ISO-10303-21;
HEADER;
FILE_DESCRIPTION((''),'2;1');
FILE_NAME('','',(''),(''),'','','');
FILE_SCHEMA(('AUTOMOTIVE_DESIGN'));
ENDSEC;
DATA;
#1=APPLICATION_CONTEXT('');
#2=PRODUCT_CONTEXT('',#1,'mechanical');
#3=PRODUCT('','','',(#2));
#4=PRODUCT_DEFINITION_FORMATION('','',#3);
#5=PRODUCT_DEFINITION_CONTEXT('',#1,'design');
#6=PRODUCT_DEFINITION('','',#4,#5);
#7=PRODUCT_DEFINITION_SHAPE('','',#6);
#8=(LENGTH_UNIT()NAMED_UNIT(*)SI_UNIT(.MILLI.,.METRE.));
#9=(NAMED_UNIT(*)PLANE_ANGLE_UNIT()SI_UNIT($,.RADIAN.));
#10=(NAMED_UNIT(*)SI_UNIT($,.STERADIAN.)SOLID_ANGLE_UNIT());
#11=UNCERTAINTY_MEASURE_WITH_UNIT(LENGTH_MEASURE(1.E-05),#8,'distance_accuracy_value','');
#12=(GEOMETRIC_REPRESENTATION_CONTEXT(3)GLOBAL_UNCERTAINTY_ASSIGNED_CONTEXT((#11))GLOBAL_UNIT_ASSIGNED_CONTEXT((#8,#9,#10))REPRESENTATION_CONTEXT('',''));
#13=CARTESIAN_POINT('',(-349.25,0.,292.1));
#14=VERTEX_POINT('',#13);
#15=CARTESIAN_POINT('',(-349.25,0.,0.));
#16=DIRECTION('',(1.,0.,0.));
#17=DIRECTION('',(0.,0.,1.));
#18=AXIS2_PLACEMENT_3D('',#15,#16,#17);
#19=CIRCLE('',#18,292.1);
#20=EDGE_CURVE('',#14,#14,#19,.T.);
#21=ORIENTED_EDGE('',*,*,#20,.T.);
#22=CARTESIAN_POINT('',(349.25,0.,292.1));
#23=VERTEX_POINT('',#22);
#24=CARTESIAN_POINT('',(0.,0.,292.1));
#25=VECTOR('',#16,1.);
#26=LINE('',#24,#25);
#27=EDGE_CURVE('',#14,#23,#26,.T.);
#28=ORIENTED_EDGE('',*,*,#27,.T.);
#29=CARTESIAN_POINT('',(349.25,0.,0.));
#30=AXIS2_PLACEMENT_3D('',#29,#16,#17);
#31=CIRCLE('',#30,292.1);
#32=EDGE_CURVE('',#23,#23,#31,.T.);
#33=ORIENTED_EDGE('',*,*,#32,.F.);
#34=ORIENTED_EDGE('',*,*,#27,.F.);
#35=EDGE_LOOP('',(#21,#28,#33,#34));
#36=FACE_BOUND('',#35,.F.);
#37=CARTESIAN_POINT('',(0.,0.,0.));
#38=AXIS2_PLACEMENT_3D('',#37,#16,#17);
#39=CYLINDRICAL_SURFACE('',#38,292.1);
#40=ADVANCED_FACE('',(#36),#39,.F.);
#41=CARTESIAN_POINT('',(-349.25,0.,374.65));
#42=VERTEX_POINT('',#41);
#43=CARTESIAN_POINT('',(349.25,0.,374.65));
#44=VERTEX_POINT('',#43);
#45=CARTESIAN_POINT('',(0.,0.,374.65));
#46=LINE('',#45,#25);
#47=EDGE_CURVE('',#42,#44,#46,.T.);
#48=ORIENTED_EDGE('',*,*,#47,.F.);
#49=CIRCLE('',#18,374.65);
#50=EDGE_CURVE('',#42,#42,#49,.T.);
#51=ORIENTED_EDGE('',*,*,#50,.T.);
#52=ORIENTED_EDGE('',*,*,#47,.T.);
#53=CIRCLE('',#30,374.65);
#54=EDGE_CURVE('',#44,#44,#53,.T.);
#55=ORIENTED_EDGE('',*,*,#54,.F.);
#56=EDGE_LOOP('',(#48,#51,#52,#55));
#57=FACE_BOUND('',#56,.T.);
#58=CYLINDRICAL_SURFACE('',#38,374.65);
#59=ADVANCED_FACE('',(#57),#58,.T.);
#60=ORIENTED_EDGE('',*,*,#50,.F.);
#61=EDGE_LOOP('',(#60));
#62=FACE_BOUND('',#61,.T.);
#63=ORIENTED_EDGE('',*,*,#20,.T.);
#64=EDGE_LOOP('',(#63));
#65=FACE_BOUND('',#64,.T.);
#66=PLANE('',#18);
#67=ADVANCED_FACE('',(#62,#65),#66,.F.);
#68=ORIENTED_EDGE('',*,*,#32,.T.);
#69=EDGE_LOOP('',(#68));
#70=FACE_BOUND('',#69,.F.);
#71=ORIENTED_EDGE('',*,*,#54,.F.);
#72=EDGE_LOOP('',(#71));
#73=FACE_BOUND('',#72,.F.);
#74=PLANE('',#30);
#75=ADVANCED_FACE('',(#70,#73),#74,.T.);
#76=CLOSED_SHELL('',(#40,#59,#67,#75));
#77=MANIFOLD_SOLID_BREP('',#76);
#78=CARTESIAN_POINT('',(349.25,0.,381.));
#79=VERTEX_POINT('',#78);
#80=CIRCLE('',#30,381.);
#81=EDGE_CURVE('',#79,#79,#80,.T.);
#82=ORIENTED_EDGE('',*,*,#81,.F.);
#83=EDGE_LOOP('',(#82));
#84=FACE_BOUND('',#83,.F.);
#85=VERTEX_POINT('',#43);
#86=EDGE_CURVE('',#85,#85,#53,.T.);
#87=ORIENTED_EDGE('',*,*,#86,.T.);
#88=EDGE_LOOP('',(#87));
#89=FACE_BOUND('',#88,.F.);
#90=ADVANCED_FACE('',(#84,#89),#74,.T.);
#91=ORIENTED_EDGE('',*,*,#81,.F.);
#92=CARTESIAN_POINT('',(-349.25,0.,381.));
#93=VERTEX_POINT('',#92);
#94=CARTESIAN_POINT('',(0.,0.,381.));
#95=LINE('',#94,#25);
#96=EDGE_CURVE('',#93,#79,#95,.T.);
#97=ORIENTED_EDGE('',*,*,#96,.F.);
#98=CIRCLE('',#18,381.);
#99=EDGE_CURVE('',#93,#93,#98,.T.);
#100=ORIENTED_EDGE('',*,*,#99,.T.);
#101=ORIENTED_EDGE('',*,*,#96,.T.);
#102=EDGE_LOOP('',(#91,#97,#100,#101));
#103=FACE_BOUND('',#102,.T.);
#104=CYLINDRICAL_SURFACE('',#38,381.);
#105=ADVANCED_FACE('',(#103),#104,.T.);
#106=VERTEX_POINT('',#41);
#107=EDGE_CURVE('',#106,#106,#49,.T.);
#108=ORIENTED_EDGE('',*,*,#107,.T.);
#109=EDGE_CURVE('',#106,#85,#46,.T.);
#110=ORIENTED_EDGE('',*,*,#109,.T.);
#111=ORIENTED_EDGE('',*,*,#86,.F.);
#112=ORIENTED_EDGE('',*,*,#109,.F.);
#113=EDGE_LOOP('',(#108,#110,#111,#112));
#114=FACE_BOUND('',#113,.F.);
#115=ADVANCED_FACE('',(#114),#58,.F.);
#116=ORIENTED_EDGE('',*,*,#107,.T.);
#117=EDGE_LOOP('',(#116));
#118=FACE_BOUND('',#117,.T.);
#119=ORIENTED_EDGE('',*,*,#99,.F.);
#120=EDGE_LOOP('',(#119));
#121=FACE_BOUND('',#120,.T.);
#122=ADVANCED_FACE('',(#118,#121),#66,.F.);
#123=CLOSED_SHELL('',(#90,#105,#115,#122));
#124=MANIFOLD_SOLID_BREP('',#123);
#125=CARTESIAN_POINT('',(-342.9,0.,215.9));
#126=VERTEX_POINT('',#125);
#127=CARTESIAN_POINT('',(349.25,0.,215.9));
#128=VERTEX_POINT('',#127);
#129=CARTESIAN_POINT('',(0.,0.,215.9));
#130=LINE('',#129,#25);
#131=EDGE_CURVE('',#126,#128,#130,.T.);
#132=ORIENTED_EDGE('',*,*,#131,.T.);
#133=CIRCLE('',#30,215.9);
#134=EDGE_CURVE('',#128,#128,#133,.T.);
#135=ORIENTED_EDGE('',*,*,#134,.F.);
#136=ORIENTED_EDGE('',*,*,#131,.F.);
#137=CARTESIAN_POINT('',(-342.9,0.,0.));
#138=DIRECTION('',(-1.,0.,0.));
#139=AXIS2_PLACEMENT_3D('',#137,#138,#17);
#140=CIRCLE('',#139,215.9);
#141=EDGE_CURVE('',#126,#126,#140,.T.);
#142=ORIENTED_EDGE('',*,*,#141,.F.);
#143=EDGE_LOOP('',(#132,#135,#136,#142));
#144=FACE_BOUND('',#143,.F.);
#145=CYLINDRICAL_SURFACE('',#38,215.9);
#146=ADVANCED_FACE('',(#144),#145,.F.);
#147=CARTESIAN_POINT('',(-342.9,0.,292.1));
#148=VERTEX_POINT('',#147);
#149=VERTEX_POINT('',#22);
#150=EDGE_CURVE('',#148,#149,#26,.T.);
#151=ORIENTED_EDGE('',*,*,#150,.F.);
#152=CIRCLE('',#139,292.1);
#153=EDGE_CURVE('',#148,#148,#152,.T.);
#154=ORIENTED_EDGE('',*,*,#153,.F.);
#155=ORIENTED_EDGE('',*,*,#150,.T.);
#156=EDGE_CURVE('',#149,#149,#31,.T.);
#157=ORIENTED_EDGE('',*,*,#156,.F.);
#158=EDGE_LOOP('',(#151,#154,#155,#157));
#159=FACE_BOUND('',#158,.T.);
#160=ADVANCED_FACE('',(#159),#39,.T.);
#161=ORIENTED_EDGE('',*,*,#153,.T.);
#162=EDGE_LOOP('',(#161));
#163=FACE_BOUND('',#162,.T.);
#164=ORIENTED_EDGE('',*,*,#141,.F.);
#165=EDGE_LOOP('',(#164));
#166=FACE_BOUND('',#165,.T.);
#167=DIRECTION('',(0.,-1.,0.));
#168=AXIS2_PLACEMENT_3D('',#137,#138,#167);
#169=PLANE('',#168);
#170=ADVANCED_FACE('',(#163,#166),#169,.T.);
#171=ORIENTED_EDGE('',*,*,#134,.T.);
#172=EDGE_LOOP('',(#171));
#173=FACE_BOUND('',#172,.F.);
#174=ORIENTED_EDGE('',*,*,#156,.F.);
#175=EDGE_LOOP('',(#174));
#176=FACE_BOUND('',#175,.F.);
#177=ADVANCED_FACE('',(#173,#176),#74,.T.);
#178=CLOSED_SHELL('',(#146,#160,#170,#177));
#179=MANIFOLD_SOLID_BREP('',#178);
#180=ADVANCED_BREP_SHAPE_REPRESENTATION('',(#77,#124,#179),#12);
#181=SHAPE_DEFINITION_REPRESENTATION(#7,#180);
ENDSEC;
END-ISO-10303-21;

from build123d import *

# Parameters (mm, degrees)
F0_W        = 698.5
F0_H        = 76.2
F0_H_2      = 82.55
F0_H_3      = 6.35
F1_FACE_R   = 292.1
F1_FACE_R_2 = 215.9
F4_DEPTH    = 6.35


with BuildPart() as f1:
    # F0 (on Front) → F1 (revolve)
    with BuildSketch(Plane.XZ):
        with Locations((0, 254)):
            Rectangle(F0_W, F0_H)
    revolve(axis=Axis((0, 0, 0), (1, 0, 0)))

    # F1_face (on face) → F4 (cut)
    with BuildSketch(Plane(origin=(-349.25, 0, 0), x_dir=(0, -1, 0), z_dir=(-1, 0, 0))):
        Circle(F1_FACE_R)
        Circle(F1_FACE_R_2, mode=Mode.SUBTRACT)
    extrude(amount=-F4_DEPTH, mode=Mode.SUBTRACT)


with BuildPart() as f2:
    # F0 (on Front) → F2 (revolve)
    with BuildSketch(Plane.XZ):
        with Locations((0, 333.375)):
            Rectangle(F0_W, F0_H_2)
    revolve(axis=Axis((0, 0, 0), (1, 0, 0)))


with BuildPart() as f3:
    # F0 (on Front) → F3 (revolve)
    with BuildSketch(Plane.XZ):
        with Locations((0, 377.825)):
            Rectangle(F0_W, F0_H_3)
    revolve(axis=Axis((0, 0, 0), (1, 0, 0)))


solid = Compound([f1.part, f2.part, f3.part])
